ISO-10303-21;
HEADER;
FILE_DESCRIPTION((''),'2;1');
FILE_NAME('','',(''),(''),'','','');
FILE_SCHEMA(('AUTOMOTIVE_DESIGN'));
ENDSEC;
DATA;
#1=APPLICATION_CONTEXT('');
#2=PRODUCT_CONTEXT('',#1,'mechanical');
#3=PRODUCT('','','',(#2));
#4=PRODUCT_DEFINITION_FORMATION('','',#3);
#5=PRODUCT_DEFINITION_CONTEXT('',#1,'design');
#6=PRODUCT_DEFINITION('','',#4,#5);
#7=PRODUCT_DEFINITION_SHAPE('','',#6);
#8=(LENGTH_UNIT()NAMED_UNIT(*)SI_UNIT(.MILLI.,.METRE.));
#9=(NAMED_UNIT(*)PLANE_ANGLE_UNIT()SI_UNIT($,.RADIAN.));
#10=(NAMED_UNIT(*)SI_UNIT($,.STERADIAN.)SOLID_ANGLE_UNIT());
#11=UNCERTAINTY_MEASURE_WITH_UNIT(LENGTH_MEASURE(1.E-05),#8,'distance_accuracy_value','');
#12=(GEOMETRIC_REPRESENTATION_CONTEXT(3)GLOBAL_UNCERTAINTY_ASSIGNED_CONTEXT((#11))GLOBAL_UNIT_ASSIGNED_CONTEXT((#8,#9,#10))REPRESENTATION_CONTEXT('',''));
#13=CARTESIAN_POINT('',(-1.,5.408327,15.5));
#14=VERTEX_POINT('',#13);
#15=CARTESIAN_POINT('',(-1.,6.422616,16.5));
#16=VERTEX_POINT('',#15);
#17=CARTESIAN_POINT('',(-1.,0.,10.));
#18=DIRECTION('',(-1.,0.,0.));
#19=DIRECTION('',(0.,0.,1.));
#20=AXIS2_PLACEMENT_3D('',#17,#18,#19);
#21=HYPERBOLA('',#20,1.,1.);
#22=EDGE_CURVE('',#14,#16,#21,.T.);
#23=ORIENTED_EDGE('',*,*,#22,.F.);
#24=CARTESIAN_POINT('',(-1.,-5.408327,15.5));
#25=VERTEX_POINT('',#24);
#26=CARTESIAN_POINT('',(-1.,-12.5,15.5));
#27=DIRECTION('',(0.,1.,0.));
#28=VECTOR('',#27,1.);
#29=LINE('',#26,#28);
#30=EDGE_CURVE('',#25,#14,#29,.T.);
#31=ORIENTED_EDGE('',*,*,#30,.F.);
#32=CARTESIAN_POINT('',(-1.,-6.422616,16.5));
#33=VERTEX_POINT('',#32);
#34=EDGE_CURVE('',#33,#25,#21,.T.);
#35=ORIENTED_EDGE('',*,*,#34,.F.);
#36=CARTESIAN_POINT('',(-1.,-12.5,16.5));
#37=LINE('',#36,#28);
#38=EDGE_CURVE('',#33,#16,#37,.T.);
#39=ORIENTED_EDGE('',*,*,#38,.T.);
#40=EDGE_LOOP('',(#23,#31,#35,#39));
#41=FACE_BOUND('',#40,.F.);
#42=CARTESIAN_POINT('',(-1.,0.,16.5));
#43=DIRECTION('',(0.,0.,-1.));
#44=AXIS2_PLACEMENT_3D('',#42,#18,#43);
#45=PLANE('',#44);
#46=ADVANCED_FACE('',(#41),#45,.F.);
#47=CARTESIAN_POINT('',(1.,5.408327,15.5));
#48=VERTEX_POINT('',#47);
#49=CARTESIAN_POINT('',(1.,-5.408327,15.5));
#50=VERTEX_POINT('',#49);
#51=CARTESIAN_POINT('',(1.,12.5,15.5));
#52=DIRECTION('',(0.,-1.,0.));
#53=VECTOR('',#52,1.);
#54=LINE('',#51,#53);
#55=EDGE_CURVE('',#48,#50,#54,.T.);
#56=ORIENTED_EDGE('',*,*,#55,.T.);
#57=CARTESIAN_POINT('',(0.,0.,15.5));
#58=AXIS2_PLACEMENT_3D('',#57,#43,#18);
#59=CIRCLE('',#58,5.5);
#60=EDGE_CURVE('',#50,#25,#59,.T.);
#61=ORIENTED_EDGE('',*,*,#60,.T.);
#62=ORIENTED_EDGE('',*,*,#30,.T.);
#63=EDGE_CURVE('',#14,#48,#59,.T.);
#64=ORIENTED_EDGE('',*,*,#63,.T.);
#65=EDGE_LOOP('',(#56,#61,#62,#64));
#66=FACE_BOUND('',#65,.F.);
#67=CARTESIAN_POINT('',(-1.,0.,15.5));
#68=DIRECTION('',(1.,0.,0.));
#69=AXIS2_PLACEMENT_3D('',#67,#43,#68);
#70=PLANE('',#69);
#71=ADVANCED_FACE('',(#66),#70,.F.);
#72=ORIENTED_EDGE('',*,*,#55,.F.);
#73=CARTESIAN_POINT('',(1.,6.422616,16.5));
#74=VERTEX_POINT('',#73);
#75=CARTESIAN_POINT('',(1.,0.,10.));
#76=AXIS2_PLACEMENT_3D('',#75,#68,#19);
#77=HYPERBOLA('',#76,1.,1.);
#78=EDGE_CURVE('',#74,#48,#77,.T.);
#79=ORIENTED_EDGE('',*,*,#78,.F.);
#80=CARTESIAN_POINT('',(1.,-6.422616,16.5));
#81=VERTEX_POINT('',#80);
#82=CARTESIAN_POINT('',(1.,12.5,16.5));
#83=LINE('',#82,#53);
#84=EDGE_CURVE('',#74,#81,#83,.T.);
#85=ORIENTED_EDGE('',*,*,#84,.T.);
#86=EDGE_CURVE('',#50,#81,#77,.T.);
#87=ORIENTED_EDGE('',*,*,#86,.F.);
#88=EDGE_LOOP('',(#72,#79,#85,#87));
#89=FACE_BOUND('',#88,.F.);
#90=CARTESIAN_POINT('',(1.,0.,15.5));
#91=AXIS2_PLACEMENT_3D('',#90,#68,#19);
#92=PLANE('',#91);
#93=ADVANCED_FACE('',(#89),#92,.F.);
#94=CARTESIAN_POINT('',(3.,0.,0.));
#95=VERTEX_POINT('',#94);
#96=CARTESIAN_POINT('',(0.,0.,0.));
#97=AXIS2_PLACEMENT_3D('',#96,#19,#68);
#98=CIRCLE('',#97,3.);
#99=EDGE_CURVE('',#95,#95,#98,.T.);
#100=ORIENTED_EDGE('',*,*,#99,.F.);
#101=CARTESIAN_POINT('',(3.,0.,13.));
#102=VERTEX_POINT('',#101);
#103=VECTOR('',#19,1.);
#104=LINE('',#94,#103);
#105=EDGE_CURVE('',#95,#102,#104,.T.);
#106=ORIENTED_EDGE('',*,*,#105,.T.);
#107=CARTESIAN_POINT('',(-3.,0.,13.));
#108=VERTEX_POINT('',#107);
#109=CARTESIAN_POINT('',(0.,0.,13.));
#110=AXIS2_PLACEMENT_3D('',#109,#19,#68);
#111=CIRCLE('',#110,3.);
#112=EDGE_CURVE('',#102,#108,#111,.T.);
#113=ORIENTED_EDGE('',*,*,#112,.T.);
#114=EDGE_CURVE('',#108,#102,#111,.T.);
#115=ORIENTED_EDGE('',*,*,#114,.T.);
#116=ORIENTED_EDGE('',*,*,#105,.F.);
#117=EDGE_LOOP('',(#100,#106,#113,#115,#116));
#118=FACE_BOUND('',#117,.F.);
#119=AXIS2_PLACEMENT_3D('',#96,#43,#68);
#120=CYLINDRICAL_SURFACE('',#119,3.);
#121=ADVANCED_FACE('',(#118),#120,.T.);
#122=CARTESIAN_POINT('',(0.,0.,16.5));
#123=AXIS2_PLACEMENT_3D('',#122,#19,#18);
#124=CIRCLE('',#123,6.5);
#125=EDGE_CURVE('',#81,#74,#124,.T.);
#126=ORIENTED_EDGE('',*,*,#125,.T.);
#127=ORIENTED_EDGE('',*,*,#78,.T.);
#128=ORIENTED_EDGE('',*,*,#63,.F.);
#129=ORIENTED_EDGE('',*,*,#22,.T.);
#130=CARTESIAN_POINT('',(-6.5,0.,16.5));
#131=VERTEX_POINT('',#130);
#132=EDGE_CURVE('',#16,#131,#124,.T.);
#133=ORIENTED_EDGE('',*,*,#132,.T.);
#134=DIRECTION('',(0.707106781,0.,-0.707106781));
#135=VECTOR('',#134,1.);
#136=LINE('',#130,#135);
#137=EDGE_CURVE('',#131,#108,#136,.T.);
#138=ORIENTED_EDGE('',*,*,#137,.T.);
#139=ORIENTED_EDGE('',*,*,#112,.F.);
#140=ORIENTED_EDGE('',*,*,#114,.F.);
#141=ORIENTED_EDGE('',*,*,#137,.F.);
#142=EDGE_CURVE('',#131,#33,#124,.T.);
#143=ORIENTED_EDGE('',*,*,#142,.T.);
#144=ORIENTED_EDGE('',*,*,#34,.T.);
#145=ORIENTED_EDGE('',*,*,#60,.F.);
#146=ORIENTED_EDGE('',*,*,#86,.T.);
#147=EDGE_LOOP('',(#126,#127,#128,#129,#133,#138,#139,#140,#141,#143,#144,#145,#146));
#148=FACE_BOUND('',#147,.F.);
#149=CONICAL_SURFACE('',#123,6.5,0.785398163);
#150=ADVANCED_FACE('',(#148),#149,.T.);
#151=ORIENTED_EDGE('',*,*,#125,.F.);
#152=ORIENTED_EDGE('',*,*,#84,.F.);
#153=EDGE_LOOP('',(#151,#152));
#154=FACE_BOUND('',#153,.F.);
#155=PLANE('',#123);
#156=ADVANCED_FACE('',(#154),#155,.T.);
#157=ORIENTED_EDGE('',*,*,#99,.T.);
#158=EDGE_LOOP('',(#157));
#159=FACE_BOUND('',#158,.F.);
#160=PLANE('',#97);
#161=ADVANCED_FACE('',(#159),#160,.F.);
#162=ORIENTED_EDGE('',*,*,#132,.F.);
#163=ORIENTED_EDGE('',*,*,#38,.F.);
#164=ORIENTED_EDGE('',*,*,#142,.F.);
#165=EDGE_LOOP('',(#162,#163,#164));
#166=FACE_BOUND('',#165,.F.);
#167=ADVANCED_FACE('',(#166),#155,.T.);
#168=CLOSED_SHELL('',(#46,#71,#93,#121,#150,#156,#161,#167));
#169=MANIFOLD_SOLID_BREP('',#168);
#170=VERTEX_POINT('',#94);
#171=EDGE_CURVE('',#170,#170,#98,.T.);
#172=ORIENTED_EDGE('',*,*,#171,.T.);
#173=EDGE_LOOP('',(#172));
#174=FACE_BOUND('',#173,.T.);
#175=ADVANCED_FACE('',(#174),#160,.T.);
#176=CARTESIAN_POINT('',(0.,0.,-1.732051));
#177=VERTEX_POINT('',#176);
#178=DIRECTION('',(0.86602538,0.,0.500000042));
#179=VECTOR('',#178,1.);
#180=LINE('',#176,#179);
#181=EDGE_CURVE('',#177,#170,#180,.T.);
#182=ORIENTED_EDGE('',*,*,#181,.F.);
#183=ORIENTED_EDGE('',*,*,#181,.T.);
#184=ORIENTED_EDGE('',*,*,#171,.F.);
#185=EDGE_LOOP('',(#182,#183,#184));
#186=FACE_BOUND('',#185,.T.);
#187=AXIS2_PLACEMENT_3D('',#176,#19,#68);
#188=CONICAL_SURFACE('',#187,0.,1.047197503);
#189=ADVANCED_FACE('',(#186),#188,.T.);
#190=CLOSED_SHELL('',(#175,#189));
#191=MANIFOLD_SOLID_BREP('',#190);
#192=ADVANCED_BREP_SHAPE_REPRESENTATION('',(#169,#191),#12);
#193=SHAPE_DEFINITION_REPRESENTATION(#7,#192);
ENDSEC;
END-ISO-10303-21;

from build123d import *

# Parameters (mm, degrees)
F0_R     = 3
F1_DEPTH = 13
F7_DEPTH = 12.5


with BuildPart() as f1:
    # F0 (on Top) → F1 (new body)
    with BuildSketch(Plane.XY):
        Circle(F0_R)
    extrude(amount=F1_DEPTH)

    # F4 (on Front) → F5 (revolve)
    with BuildSketch(Plane.XZ):
        Polygon((-3, 13), (0, 13), (0, 15.5), (0, 16.5), (-1, 16.5), (-6.5, 16.5), align=None)
    revolve(axis=Axis((0, 0, 14.25), (0, 0, 1)))

    # F6 (on Front) → F7 (cut, symmetric)
    with BuildSketch(Plane.XZ):
        Polygon((-1, 15.5), (0, 15.5), (1, 15.5), (1, 16.5), (-1, 16.5), align=None)
    extrude(amount=F7_DEPTH, both=True, mode=Mode.SUBTRACT)


with BuildPart() as f3:
    # F2 (on Front) → F3 (revolve)
    with BuildSketch(Plane.XZ):
        Polygon((3, 0), (0, 0), (0, -1.732051), align=None)
    revolve(axis=Axis((0, 0, -0.866025), (0, 0, 1)))


solid = Compound([f1.part, f3.part])
